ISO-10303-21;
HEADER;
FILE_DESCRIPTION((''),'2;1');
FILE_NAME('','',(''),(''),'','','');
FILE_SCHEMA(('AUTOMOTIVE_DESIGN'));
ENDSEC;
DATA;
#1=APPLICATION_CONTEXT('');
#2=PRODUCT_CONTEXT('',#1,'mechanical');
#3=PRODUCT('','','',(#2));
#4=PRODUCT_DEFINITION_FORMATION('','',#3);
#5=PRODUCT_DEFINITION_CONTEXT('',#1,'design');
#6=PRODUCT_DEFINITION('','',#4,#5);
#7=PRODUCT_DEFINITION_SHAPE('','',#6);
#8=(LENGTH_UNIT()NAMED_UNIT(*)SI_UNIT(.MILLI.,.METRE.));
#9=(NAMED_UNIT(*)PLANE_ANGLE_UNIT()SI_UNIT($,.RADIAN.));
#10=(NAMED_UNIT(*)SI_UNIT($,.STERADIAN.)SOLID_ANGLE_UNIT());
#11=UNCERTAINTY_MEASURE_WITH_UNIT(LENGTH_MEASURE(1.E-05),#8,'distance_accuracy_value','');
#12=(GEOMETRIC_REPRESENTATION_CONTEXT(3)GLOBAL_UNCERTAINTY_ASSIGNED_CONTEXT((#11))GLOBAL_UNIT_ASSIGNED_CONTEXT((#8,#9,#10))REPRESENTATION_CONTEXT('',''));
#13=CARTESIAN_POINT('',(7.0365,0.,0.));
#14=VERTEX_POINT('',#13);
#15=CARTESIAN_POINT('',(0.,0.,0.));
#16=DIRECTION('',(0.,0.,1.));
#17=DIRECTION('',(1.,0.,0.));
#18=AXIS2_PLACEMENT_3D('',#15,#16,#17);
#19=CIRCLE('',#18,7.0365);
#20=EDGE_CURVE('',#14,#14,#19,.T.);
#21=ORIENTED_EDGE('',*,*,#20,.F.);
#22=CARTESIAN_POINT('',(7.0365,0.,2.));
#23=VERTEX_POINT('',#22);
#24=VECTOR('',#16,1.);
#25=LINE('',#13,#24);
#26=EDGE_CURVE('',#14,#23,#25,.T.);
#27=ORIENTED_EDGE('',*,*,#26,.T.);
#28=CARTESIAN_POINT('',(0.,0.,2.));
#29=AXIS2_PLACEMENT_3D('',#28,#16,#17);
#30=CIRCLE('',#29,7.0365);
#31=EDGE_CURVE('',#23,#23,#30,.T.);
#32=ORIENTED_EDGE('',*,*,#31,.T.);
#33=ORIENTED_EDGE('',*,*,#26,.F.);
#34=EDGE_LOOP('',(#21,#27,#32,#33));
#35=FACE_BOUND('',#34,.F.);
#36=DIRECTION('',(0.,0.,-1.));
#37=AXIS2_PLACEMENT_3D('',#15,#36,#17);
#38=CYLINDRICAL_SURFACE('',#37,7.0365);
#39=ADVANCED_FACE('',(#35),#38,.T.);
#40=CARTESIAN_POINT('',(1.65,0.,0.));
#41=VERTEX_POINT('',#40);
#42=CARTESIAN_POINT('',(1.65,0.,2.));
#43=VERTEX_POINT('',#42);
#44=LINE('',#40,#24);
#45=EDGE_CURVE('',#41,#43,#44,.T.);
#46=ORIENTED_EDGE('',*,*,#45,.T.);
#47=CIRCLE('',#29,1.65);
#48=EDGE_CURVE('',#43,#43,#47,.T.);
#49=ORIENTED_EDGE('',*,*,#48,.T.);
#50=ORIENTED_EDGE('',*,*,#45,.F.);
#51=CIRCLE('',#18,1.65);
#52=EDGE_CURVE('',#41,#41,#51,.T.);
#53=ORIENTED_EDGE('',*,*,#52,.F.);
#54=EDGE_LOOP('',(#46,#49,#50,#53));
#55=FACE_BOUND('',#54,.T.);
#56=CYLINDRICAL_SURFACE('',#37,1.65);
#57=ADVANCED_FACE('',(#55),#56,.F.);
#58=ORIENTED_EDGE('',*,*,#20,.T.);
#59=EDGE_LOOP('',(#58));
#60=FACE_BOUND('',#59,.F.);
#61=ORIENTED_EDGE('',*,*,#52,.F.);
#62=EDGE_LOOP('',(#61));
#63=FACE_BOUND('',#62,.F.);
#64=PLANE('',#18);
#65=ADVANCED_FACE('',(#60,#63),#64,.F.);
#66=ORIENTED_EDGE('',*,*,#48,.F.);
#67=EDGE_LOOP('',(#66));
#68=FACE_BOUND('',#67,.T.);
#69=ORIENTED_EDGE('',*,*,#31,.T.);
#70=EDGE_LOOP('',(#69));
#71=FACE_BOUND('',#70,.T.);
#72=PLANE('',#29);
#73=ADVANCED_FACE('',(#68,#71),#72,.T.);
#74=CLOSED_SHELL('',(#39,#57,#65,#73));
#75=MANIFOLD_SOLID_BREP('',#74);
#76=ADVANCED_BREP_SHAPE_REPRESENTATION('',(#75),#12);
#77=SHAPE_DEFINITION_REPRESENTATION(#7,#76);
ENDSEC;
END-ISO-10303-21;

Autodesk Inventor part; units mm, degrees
ref_plane "YZ Plane" through (0, 0, 0) normal (1, 0, 0) x (0, 1, 0)
ref_plane "XZ Plane" through (0, 0, 0) normal (0, 1, 0) x (-1, 0, 0)
ref_plane "XY Plane" through (0, 0, 0) normal (0, 0, 1) x (1, 0, 0)
sketch "Sketch11" plane through (0, 0, 0) normal (0, 0, 1) x (1, 0, 0)
  circle A0 centre (0, 0) radius 7.0365
  circle A1 centre (0, 0) radius 1.65
  dimension "d14" = 14.073
  dimension "d15" = 3.3
extrude "Extrusion7" add sketch "Sketch11" along normal blind 2
properties part number "BlankGearLargeAndSmall"
